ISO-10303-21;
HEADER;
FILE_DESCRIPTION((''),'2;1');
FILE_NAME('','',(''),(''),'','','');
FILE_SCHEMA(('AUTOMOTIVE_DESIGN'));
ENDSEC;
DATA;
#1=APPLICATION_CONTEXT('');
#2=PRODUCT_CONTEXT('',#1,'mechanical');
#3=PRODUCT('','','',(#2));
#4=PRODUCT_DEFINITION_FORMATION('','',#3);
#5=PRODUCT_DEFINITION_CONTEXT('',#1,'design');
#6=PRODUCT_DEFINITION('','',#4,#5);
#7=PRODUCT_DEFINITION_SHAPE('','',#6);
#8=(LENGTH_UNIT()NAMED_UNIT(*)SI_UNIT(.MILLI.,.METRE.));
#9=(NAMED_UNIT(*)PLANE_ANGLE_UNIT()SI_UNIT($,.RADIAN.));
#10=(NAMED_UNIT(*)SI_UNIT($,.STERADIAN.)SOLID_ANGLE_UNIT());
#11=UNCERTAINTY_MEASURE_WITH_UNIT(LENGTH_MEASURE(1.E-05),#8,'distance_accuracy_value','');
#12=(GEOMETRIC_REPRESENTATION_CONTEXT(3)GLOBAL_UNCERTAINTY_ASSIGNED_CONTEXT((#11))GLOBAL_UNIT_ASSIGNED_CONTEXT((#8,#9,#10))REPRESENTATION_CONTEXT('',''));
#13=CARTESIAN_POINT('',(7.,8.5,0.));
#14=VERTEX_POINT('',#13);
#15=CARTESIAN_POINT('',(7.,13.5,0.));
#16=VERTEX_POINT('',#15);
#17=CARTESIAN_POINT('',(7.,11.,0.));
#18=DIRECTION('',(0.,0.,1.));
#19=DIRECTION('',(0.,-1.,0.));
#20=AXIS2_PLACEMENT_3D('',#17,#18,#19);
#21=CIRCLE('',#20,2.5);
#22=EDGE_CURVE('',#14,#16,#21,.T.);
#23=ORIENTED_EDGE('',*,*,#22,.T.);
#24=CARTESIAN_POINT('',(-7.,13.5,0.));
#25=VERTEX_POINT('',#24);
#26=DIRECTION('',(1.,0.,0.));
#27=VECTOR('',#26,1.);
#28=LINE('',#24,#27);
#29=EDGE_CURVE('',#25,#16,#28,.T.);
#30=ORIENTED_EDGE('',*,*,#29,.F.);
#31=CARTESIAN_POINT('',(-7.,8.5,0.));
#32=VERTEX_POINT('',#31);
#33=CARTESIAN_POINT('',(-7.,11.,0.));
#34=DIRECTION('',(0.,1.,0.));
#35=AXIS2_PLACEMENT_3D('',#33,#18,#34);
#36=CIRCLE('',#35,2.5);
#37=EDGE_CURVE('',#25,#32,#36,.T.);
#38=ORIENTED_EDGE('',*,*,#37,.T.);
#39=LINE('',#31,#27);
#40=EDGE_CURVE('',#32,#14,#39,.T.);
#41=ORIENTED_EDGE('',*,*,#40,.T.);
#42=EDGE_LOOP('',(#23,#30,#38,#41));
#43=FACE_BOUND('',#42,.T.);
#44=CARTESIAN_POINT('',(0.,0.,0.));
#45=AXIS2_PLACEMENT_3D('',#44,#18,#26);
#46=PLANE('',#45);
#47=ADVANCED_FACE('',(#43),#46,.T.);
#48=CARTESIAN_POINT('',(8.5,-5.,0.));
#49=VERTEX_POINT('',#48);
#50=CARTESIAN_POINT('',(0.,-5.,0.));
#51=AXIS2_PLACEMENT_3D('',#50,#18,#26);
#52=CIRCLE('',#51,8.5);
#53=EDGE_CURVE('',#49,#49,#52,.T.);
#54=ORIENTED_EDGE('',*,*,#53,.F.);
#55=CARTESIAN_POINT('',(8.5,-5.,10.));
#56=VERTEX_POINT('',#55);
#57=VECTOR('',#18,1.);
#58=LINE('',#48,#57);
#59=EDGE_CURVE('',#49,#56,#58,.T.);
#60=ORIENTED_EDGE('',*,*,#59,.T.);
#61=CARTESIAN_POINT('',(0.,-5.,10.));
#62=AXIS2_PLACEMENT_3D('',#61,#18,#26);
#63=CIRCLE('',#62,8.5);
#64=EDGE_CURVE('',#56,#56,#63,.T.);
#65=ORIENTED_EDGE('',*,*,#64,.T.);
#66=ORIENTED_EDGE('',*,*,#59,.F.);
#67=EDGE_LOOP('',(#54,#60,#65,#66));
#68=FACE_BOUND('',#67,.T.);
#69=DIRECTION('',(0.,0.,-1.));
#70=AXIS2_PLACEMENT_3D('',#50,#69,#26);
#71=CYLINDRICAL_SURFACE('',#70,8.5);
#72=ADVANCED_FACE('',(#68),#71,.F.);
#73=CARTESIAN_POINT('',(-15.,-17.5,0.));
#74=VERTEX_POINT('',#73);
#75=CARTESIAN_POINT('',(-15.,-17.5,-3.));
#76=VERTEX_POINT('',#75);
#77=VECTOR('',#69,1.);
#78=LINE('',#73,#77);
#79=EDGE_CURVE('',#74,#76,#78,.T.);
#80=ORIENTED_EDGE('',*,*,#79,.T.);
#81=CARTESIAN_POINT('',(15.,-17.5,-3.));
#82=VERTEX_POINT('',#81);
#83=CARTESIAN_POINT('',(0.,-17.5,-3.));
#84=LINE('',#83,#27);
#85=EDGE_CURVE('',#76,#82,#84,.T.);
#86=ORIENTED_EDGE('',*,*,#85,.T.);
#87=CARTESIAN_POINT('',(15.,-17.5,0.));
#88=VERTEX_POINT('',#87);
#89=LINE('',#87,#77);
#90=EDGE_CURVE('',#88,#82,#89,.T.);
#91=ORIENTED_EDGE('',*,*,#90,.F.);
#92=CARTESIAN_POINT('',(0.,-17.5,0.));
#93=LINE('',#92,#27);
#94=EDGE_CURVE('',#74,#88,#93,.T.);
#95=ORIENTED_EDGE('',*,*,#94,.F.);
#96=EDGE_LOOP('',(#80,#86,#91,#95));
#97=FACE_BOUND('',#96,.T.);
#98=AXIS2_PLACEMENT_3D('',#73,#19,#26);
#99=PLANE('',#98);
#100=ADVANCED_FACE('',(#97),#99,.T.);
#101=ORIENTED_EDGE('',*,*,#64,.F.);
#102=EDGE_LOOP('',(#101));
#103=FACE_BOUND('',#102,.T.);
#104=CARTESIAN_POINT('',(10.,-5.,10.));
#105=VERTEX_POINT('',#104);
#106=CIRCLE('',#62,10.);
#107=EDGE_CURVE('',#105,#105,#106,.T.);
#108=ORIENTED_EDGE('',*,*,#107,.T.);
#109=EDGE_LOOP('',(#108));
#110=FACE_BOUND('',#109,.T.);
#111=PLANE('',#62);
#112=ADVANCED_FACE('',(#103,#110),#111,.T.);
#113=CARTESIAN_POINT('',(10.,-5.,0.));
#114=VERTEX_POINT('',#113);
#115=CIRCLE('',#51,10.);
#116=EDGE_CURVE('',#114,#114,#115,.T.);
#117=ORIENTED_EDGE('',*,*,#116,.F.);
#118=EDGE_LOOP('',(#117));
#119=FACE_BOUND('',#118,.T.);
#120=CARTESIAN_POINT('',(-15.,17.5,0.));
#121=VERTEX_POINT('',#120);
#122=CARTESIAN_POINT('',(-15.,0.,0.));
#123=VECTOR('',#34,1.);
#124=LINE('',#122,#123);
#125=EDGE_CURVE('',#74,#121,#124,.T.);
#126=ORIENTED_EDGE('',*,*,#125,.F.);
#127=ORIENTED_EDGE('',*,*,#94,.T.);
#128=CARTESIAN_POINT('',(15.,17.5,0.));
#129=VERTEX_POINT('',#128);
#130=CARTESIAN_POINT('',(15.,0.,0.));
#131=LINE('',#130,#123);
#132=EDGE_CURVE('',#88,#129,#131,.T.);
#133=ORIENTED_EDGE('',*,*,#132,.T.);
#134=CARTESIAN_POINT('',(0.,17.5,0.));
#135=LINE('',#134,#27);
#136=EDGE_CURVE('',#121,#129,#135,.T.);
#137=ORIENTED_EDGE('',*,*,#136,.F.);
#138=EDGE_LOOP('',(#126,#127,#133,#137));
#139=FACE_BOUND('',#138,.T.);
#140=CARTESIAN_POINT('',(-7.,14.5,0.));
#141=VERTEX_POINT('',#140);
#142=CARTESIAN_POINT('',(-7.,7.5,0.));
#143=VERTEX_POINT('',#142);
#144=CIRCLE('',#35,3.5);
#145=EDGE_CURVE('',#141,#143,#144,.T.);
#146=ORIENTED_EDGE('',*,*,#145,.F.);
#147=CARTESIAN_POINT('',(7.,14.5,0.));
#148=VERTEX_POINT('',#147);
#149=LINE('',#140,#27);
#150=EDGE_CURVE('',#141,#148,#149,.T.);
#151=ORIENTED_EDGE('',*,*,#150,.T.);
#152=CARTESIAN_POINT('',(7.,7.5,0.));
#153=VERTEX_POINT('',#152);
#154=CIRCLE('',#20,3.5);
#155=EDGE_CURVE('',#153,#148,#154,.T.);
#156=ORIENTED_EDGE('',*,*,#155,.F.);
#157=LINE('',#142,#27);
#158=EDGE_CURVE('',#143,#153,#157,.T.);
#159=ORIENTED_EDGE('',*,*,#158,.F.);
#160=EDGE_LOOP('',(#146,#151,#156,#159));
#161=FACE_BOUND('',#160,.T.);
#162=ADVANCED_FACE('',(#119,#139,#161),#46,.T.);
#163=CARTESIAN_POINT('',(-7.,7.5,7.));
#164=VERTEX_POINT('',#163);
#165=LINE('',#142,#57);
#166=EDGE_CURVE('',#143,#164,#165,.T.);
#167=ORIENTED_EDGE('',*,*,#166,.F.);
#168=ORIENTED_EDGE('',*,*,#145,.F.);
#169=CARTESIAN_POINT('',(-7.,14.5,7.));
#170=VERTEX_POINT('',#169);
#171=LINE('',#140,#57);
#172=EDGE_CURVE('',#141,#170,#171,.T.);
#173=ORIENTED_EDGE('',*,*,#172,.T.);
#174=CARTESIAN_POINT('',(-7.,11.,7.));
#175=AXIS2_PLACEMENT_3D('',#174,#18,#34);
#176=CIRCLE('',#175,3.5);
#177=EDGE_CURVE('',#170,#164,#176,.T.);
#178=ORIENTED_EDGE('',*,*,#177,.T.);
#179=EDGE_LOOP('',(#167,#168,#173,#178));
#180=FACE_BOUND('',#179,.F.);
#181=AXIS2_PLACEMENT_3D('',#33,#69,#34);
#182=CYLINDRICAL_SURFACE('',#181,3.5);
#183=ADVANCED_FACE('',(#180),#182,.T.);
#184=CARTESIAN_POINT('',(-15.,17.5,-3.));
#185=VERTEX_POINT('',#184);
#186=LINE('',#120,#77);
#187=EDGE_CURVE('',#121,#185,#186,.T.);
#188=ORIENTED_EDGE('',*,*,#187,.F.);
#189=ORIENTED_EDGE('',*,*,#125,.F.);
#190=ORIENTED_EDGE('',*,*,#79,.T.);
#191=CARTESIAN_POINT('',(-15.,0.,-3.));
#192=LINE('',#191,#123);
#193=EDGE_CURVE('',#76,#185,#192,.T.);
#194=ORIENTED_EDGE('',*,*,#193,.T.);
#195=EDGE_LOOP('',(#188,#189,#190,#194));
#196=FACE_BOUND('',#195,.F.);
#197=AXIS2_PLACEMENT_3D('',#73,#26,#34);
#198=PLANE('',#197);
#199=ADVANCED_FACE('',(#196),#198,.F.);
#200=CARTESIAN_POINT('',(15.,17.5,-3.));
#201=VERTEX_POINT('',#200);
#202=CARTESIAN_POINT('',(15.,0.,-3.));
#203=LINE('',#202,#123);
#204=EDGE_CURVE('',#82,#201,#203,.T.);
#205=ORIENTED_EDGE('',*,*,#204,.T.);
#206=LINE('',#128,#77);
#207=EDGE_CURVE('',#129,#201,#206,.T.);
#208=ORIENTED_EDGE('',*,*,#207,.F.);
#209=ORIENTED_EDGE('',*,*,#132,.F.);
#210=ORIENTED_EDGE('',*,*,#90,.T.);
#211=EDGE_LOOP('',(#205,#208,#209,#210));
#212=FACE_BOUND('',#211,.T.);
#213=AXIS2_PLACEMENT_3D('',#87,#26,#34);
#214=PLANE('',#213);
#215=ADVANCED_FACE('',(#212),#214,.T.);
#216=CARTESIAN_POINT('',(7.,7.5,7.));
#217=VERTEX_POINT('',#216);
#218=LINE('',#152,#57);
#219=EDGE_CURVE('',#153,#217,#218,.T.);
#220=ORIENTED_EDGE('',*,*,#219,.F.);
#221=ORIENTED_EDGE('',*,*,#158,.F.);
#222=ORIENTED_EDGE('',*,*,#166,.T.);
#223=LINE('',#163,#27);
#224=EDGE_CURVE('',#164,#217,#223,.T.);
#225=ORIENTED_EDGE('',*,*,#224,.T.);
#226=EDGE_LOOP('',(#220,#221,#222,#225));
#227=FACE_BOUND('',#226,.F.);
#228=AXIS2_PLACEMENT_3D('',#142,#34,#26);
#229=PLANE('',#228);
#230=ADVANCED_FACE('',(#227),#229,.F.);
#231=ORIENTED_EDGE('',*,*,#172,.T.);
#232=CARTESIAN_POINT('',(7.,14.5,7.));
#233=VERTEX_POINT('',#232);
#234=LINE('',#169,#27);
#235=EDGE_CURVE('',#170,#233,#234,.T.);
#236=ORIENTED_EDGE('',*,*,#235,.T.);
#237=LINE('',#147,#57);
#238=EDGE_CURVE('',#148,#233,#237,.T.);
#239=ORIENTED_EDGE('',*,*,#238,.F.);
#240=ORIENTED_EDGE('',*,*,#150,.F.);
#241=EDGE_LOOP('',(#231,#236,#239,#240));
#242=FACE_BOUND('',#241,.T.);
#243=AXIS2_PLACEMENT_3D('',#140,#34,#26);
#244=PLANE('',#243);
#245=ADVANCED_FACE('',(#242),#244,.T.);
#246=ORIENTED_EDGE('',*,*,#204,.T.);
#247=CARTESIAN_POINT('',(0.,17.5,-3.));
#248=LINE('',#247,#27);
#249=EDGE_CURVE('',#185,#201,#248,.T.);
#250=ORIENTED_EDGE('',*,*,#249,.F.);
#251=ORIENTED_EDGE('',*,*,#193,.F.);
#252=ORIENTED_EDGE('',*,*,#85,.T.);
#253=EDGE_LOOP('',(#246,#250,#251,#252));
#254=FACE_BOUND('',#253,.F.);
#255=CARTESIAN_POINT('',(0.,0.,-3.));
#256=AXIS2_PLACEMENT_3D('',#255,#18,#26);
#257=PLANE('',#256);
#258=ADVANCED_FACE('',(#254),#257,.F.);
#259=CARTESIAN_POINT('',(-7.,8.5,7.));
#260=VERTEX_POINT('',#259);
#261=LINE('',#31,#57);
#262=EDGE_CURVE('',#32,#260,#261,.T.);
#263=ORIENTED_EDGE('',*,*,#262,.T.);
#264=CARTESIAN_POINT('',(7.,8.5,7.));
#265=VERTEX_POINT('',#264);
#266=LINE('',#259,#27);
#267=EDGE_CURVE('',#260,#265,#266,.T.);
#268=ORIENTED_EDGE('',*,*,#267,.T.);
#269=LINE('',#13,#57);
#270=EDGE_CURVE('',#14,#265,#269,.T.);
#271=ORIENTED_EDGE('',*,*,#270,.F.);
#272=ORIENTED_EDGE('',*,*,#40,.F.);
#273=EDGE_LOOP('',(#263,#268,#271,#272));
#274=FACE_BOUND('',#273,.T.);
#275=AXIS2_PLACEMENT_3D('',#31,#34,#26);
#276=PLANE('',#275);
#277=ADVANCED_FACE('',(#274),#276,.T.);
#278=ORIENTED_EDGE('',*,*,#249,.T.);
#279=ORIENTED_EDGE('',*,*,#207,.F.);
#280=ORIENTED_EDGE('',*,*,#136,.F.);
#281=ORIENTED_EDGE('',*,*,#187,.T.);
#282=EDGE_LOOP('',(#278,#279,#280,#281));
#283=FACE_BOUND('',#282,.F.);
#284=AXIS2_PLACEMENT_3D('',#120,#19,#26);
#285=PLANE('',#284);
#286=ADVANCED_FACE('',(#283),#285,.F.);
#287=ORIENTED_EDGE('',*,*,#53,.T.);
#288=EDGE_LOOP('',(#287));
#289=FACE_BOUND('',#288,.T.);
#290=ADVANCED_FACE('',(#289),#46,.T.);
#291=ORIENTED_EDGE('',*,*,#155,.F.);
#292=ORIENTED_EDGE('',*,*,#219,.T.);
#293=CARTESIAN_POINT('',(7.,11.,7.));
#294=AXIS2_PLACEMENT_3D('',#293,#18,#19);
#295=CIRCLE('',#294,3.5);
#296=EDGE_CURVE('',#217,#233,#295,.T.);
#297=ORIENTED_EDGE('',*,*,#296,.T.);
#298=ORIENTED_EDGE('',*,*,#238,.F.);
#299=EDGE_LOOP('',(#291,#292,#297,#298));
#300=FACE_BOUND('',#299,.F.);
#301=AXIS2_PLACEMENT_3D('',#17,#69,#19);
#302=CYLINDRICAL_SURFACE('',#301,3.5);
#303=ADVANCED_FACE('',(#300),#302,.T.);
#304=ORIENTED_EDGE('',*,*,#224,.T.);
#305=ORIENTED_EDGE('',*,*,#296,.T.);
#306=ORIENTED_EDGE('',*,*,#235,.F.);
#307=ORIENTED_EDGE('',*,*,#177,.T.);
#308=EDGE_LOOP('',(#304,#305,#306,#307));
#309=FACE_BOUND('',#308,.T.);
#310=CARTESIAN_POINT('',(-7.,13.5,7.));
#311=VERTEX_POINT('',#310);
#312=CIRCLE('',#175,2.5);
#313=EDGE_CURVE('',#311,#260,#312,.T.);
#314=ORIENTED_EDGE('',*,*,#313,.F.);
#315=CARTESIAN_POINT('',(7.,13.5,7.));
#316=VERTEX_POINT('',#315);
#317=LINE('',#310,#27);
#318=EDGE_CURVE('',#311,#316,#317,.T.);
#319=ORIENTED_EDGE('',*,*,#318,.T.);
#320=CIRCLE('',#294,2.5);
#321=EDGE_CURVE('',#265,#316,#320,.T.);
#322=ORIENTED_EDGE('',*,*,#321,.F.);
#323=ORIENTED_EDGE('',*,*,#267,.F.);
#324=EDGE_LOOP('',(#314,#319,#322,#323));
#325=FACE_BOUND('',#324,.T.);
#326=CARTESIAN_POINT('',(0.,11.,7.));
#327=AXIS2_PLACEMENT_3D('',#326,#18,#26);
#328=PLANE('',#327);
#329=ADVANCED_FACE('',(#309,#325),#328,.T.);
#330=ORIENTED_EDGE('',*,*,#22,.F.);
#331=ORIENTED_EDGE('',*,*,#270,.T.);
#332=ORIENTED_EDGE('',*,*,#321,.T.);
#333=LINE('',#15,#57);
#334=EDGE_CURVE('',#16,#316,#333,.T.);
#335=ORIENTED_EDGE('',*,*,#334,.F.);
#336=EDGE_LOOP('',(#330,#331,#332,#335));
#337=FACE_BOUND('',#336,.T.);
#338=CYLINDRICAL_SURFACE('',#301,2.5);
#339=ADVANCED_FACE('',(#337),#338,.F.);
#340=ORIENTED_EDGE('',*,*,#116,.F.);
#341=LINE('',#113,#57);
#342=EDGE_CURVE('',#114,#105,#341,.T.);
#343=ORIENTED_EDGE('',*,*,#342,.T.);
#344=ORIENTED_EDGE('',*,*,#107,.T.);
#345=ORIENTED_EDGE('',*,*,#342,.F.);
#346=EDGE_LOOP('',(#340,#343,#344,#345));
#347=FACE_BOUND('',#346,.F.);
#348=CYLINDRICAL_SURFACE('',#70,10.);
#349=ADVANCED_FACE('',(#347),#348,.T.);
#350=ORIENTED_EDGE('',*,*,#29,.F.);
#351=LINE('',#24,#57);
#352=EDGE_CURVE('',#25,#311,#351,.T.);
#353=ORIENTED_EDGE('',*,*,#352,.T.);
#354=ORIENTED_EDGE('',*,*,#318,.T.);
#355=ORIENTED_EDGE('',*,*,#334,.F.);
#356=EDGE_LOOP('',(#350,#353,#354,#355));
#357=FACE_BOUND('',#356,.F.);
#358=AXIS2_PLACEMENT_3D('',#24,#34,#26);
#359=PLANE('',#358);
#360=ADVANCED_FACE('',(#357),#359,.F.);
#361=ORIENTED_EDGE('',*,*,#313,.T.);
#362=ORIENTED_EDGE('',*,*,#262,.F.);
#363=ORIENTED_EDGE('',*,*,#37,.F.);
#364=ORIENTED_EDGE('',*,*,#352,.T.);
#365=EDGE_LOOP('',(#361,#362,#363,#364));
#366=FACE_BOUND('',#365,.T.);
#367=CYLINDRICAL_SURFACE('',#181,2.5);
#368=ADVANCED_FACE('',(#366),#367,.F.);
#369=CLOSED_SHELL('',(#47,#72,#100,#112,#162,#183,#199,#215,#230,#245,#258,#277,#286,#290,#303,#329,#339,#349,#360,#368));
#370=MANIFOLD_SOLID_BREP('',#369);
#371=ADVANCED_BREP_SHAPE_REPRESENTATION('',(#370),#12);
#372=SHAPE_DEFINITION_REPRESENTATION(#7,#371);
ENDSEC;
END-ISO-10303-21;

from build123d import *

# Parameters (mm, degrees)
SKETCH_W      = 30
SKETCH_H      = 35
PAD_DEPTH     = 3
SKETCH001_R   = 10
SKETCH001_R_2 = 8.5
PAD001_DEPTH  = 10
PAD002_DEPTH  = 7


with BuildPart() as part:
    # Sketch → Pad (new body)
    with BuildSketch(Plane.XY):
        Rectangle(SKETCH_W, SKETCH_H)
    extrude(amount=-PAD_DEPTH)

    # Sketch001 → Pad001 (join)
    with BuildSketch(Plane.XY):
        with Locations((0, -5)):
            Circle(SKETCH001_R)
        with Locations((0, -5)):
            Circle(SKETCH001_R_2, mode=Mode.SUBTRACT)
    extrude(amount=PAD001_DEPTH)

    # Sketch002 → Pad002 (join)
    with BuildSketch(Plane.XY):
        with BuildLine():
            ThreePointArc((-7, 14.5), (-10.5, 11), (-7, 7.5))
            Line((-7, 7.5), (7, 7.5))
            ThreePointArc((7, 7.5), (10.5, 11), (7, 14.5))
            Line((-7, 14.5), (7, 14.5))
        make_face()
        with BuildLine():
            ThreePointArc((-7, 13.5), (-9.5, 11), (-7, 8.5))
            Line((-7, 8.5), (7, 8.5))
            ThreePointArc((7, 8.5), (9.5, 11), (7, 13.5))
            Line((-7, 13.5), (7, 13.5))
        make_face(mode=Mode.SUBTRACT)
    extrude(amount=PAD002_DEPTH)


solid = part.part
